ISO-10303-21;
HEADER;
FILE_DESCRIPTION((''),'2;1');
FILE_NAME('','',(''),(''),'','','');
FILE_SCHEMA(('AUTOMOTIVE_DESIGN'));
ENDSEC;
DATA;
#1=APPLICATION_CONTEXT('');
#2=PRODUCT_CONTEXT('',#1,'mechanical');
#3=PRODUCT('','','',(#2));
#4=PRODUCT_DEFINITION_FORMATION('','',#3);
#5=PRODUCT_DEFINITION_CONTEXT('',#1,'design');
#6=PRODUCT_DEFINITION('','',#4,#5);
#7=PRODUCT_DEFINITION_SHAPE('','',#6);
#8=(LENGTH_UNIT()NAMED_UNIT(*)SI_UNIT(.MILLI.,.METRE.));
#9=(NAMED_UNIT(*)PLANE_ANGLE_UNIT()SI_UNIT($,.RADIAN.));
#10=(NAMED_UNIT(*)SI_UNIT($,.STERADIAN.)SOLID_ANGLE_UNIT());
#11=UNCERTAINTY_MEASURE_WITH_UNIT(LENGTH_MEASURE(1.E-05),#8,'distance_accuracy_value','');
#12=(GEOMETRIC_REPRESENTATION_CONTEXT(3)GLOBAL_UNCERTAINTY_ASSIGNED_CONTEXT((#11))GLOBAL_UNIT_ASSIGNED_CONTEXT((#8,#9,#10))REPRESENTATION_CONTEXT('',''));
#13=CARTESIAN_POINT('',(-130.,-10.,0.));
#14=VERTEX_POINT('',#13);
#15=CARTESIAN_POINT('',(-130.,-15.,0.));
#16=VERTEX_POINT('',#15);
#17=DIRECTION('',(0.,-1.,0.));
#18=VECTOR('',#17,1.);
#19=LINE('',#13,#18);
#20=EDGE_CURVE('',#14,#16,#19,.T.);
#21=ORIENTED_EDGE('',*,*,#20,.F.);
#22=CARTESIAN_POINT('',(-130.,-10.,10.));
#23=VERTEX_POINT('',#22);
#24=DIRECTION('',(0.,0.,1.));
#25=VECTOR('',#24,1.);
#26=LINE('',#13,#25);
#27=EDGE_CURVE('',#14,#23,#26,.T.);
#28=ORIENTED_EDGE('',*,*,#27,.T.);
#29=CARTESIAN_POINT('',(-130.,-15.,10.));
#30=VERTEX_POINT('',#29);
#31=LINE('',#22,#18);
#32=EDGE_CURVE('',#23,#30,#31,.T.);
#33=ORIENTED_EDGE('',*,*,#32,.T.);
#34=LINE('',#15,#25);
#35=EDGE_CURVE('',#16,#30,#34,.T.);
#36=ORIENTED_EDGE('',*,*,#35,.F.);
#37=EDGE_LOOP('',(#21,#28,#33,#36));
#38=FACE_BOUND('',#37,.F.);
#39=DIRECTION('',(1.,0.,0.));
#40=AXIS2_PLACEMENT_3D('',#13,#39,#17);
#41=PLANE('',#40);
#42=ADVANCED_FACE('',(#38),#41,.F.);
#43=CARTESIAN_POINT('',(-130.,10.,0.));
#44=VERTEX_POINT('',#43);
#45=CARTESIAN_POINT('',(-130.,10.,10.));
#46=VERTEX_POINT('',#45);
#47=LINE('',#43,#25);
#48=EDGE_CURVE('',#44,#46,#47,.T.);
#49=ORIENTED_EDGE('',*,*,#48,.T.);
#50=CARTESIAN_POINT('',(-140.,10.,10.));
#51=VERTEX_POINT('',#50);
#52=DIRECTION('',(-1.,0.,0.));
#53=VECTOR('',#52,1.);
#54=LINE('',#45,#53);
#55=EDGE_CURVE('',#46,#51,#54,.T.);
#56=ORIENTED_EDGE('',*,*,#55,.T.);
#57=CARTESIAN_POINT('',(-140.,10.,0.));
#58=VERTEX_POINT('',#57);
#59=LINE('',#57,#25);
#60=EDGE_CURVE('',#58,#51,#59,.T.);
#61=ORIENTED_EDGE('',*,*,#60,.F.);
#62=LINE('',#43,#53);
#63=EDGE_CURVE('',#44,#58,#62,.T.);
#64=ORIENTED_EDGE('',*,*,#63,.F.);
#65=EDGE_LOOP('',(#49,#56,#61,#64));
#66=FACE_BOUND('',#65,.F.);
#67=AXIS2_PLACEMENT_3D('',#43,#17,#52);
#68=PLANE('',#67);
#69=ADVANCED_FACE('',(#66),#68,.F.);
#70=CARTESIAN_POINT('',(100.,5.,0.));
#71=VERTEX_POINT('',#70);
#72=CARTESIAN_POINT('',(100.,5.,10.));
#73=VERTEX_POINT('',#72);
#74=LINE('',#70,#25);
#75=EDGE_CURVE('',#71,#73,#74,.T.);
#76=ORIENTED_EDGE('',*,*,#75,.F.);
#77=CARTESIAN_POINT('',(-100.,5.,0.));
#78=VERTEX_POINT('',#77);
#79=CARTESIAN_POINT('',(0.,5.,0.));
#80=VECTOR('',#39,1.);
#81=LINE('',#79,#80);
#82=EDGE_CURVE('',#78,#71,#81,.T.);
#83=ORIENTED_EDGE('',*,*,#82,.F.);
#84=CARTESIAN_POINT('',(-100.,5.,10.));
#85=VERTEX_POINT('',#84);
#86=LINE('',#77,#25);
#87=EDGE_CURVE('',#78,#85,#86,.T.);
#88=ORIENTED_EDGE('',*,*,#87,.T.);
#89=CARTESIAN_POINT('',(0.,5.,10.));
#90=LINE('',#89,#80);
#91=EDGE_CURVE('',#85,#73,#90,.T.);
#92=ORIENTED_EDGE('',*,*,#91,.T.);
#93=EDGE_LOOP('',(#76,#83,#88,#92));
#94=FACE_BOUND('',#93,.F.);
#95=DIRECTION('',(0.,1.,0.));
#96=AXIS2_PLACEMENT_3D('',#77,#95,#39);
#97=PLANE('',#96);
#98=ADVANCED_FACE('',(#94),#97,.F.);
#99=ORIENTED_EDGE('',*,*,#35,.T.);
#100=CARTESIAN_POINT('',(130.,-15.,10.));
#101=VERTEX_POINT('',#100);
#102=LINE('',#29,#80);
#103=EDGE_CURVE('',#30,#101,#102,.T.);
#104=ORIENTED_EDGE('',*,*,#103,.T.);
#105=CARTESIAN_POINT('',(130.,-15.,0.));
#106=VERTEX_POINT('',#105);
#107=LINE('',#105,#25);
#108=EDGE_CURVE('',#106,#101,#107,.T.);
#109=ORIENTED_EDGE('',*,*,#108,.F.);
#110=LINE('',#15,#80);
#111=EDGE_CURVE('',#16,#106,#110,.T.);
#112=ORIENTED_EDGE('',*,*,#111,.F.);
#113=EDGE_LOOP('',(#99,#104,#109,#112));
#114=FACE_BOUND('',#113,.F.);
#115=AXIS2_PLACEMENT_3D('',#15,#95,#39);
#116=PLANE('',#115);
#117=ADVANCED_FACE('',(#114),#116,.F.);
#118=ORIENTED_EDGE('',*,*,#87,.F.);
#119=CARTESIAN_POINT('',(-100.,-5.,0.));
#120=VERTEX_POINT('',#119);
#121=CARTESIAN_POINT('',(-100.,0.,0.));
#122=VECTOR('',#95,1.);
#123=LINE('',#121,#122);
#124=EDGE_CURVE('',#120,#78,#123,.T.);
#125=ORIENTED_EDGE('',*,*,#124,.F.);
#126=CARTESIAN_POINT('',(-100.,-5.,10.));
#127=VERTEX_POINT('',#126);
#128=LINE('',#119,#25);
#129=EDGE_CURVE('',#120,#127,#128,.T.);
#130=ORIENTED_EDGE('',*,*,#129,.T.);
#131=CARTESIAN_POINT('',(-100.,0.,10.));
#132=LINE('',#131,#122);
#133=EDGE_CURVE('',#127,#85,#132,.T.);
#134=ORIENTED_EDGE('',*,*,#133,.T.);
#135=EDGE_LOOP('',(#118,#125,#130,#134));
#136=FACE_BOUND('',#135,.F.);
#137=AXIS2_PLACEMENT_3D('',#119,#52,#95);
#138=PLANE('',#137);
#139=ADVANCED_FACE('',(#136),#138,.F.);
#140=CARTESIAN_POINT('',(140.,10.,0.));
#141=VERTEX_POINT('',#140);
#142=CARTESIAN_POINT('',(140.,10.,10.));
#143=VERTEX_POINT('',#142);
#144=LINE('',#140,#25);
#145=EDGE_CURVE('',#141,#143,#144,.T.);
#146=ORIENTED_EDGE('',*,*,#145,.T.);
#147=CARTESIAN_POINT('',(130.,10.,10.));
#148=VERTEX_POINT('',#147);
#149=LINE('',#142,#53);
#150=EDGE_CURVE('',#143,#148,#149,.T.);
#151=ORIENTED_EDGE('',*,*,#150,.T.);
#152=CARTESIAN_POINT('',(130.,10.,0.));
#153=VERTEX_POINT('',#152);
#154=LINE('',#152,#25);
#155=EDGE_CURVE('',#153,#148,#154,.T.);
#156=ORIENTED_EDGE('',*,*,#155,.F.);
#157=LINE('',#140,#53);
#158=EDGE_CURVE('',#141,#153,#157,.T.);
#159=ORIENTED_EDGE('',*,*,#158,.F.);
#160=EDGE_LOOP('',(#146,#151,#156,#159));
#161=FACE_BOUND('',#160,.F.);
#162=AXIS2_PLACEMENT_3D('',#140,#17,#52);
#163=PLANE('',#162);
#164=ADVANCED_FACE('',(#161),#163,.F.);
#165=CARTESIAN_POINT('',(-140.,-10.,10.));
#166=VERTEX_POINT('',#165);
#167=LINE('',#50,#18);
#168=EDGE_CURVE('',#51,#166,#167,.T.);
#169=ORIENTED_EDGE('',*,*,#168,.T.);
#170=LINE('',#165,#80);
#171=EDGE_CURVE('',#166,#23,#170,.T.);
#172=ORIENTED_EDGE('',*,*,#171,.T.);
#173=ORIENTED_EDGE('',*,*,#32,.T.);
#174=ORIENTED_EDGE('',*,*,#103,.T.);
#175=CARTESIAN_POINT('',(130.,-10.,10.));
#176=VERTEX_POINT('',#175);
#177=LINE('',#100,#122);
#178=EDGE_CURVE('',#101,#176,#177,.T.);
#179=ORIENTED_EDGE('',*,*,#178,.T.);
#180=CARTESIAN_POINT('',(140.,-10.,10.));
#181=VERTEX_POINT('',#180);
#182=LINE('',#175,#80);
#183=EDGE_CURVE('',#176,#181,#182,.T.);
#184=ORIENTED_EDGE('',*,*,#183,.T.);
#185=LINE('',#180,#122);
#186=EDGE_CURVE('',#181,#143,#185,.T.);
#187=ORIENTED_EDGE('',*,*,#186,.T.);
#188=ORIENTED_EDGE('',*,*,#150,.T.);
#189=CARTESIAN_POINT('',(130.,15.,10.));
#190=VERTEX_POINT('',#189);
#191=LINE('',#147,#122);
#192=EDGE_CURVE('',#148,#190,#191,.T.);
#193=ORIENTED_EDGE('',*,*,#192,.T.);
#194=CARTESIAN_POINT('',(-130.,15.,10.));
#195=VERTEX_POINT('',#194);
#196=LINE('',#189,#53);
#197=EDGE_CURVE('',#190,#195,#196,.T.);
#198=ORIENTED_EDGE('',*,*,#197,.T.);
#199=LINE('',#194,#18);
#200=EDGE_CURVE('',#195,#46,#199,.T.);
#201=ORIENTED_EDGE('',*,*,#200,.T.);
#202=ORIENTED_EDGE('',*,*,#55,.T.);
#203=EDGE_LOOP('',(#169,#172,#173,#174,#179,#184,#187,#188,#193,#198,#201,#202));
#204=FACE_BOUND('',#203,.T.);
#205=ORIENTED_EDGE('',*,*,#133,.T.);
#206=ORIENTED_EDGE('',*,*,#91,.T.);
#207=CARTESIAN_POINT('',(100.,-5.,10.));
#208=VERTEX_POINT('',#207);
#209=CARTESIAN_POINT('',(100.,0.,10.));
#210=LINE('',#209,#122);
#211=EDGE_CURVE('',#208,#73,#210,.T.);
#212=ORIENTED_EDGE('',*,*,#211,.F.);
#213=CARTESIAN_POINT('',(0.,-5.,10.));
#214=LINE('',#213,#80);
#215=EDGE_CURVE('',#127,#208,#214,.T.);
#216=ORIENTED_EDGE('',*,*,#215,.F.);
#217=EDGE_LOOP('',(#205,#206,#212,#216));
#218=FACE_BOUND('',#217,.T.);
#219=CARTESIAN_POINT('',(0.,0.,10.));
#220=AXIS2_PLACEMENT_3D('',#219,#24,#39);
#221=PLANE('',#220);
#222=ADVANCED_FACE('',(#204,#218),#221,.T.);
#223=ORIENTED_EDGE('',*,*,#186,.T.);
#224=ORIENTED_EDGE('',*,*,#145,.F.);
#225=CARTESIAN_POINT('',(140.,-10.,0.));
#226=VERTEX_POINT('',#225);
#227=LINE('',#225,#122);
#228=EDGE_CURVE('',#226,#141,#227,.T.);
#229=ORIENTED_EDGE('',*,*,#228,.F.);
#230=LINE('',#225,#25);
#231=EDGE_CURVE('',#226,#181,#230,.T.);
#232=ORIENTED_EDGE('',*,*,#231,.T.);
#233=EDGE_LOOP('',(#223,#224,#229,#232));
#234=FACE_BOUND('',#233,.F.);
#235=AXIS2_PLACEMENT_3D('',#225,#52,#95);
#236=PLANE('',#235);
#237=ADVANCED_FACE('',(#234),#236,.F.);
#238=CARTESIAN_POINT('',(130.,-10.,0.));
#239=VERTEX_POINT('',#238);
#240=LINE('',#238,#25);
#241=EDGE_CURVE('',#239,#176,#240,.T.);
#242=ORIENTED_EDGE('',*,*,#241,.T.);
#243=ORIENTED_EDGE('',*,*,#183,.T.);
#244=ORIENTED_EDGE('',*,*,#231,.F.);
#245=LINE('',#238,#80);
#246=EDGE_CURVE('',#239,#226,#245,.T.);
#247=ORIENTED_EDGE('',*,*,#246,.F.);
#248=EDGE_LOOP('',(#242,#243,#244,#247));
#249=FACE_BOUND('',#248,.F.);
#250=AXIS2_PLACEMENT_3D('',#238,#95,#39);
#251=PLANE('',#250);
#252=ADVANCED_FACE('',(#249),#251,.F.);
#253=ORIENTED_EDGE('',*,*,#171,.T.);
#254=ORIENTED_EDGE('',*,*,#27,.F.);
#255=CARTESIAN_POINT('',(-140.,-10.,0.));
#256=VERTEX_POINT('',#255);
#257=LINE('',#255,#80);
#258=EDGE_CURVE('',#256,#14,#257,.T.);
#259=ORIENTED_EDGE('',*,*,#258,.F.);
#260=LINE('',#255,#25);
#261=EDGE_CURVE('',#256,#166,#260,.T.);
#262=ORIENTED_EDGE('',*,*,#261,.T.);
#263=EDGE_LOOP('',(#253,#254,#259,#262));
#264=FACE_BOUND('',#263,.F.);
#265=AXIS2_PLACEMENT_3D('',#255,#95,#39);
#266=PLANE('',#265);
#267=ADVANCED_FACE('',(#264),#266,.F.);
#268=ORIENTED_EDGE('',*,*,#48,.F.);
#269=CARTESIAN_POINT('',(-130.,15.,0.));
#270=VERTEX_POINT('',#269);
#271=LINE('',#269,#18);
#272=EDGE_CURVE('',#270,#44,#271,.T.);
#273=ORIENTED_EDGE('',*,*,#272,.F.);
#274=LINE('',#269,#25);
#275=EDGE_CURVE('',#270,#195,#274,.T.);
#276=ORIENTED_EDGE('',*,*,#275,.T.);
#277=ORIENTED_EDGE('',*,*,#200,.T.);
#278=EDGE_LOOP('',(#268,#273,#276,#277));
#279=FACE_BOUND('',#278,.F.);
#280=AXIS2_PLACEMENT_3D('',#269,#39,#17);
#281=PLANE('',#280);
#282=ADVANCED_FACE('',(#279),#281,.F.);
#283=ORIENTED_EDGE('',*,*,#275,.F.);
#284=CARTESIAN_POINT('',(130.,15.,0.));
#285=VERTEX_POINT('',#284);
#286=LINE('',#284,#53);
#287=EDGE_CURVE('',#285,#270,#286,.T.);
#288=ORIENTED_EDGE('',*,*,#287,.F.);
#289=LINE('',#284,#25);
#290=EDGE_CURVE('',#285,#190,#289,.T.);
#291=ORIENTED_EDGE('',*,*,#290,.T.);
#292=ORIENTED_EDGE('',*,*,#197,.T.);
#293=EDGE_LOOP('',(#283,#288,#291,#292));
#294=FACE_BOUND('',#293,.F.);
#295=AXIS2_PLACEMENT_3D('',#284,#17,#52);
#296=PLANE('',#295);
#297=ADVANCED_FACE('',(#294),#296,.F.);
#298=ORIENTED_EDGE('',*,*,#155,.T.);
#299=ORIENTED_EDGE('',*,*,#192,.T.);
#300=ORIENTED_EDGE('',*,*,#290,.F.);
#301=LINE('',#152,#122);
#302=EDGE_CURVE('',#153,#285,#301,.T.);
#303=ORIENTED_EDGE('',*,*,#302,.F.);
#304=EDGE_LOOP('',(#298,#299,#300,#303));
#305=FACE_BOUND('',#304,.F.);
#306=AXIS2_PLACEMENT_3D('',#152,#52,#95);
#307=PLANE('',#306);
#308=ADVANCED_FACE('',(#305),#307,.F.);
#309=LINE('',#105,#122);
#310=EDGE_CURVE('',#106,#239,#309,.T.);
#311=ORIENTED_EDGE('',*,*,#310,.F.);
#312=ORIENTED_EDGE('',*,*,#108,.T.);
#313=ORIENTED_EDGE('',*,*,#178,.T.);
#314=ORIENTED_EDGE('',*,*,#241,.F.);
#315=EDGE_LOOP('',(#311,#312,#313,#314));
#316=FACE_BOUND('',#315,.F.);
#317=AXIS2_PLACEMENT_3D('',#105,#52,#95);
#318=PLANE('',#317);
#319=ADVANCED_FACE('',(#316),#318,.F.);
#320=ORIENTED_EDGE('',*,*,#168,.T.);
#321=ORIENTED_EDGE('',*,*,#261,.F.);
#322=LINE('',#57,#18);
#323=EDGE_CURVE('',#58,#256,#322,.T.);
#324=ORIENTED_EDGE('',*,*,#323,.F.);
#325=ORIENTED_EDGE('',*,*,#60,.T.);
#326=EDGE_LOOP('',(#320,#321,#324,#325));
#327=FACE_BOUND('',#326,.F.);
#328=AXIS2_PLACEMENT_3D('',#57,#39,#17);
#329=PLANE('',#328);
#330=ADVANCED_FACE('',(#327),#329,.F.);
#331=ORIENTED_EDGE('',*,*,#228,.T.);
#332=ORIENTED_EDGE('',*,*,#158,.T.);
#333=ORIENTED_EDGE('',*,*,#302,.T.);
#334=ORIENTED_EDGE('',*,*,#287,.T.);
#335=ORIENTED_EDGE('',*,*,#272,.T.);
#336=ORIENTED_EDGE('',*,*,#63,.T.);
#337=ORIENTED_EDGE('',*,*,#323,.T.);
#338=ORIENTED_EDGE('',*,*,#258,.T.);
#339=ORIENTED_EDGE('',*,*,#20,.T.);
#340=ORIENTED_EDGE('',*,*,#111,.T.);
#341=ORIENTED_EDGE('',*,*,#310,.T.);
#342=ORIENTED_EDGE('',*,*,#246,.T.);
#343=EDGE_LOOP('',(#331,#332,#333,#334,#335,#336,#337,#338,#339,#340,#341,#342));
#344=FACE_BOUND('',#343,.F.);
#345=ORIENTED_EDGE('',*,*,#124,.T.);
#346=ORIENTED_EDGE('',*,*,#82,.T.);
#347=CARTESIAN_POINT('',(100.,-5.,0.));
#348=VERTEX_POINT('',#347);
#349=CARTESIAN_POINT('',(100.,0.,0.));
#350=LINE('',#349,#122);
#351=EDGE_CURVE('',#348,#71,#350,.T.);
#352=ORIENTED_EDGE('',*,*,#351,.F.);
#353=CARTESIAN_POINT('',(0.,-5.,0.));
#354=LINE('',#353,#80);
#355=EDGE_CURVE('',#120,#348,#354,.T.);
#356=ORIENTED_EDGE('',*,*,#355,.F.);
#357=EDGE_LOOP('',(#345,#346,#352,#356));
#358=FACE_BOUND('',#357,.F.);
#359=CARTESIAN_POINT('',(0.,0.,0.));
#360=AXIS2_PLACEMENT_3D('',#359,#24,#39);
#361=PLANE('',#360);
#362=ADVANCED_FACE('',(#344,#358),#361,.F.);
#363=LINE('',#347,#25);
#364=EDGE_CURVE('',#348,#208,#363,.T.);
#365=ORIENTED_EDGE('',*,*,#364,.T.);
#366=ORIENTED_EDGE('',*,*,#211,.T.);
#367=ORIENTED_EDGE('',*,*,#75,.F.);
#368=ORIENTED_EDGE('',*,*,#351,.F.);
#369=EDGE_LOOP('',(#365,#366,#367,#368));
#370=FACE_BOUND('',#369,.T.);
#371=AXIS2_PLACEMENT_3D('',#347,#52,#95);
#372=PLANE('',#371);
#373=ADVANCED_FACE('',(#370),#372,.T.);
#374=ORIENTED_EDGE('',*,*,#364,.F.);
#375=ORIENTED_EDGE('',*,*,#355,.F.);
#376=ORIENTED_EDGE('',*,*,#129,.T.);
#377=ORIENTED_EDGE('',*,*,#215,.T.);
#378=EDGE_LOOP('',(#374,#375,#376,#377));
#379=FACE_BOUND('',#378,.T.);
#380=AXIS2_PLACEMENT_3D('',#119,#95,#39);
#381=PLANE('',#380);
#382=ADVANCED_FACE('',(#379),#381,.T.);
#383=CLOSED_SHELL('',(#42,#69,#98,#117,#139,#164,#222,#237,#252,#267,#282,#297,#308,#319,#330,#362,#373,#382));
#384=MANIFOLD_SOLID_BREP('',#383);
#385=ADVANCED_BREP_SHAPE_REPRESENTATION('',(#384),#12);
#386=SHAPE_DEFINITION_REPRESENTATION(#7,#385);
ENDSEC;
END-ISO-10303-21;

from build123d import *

# Parameters (mm, degrees)
F0_W     = 200
F0_H     = 10
F1_DEPTH = 10


with BuildPart() as f1:
    # F0 (on Top) → F1 (new body)
    with BuildSketch(Plane.XY):
        Polygon((-130, -15), (130, -15), (130, -10), (140, -10), (140, 10), (130, 10), (130, 15), (-130, 15), (-130, 10), (-140, 10), (-140, -10), (-130, -10), align=None)
        Rectangle(F0_W, F0_H, mode=Mode.SUBTRACT)
    extrude(amount=F1_DEPTH)


solid = f1.part
